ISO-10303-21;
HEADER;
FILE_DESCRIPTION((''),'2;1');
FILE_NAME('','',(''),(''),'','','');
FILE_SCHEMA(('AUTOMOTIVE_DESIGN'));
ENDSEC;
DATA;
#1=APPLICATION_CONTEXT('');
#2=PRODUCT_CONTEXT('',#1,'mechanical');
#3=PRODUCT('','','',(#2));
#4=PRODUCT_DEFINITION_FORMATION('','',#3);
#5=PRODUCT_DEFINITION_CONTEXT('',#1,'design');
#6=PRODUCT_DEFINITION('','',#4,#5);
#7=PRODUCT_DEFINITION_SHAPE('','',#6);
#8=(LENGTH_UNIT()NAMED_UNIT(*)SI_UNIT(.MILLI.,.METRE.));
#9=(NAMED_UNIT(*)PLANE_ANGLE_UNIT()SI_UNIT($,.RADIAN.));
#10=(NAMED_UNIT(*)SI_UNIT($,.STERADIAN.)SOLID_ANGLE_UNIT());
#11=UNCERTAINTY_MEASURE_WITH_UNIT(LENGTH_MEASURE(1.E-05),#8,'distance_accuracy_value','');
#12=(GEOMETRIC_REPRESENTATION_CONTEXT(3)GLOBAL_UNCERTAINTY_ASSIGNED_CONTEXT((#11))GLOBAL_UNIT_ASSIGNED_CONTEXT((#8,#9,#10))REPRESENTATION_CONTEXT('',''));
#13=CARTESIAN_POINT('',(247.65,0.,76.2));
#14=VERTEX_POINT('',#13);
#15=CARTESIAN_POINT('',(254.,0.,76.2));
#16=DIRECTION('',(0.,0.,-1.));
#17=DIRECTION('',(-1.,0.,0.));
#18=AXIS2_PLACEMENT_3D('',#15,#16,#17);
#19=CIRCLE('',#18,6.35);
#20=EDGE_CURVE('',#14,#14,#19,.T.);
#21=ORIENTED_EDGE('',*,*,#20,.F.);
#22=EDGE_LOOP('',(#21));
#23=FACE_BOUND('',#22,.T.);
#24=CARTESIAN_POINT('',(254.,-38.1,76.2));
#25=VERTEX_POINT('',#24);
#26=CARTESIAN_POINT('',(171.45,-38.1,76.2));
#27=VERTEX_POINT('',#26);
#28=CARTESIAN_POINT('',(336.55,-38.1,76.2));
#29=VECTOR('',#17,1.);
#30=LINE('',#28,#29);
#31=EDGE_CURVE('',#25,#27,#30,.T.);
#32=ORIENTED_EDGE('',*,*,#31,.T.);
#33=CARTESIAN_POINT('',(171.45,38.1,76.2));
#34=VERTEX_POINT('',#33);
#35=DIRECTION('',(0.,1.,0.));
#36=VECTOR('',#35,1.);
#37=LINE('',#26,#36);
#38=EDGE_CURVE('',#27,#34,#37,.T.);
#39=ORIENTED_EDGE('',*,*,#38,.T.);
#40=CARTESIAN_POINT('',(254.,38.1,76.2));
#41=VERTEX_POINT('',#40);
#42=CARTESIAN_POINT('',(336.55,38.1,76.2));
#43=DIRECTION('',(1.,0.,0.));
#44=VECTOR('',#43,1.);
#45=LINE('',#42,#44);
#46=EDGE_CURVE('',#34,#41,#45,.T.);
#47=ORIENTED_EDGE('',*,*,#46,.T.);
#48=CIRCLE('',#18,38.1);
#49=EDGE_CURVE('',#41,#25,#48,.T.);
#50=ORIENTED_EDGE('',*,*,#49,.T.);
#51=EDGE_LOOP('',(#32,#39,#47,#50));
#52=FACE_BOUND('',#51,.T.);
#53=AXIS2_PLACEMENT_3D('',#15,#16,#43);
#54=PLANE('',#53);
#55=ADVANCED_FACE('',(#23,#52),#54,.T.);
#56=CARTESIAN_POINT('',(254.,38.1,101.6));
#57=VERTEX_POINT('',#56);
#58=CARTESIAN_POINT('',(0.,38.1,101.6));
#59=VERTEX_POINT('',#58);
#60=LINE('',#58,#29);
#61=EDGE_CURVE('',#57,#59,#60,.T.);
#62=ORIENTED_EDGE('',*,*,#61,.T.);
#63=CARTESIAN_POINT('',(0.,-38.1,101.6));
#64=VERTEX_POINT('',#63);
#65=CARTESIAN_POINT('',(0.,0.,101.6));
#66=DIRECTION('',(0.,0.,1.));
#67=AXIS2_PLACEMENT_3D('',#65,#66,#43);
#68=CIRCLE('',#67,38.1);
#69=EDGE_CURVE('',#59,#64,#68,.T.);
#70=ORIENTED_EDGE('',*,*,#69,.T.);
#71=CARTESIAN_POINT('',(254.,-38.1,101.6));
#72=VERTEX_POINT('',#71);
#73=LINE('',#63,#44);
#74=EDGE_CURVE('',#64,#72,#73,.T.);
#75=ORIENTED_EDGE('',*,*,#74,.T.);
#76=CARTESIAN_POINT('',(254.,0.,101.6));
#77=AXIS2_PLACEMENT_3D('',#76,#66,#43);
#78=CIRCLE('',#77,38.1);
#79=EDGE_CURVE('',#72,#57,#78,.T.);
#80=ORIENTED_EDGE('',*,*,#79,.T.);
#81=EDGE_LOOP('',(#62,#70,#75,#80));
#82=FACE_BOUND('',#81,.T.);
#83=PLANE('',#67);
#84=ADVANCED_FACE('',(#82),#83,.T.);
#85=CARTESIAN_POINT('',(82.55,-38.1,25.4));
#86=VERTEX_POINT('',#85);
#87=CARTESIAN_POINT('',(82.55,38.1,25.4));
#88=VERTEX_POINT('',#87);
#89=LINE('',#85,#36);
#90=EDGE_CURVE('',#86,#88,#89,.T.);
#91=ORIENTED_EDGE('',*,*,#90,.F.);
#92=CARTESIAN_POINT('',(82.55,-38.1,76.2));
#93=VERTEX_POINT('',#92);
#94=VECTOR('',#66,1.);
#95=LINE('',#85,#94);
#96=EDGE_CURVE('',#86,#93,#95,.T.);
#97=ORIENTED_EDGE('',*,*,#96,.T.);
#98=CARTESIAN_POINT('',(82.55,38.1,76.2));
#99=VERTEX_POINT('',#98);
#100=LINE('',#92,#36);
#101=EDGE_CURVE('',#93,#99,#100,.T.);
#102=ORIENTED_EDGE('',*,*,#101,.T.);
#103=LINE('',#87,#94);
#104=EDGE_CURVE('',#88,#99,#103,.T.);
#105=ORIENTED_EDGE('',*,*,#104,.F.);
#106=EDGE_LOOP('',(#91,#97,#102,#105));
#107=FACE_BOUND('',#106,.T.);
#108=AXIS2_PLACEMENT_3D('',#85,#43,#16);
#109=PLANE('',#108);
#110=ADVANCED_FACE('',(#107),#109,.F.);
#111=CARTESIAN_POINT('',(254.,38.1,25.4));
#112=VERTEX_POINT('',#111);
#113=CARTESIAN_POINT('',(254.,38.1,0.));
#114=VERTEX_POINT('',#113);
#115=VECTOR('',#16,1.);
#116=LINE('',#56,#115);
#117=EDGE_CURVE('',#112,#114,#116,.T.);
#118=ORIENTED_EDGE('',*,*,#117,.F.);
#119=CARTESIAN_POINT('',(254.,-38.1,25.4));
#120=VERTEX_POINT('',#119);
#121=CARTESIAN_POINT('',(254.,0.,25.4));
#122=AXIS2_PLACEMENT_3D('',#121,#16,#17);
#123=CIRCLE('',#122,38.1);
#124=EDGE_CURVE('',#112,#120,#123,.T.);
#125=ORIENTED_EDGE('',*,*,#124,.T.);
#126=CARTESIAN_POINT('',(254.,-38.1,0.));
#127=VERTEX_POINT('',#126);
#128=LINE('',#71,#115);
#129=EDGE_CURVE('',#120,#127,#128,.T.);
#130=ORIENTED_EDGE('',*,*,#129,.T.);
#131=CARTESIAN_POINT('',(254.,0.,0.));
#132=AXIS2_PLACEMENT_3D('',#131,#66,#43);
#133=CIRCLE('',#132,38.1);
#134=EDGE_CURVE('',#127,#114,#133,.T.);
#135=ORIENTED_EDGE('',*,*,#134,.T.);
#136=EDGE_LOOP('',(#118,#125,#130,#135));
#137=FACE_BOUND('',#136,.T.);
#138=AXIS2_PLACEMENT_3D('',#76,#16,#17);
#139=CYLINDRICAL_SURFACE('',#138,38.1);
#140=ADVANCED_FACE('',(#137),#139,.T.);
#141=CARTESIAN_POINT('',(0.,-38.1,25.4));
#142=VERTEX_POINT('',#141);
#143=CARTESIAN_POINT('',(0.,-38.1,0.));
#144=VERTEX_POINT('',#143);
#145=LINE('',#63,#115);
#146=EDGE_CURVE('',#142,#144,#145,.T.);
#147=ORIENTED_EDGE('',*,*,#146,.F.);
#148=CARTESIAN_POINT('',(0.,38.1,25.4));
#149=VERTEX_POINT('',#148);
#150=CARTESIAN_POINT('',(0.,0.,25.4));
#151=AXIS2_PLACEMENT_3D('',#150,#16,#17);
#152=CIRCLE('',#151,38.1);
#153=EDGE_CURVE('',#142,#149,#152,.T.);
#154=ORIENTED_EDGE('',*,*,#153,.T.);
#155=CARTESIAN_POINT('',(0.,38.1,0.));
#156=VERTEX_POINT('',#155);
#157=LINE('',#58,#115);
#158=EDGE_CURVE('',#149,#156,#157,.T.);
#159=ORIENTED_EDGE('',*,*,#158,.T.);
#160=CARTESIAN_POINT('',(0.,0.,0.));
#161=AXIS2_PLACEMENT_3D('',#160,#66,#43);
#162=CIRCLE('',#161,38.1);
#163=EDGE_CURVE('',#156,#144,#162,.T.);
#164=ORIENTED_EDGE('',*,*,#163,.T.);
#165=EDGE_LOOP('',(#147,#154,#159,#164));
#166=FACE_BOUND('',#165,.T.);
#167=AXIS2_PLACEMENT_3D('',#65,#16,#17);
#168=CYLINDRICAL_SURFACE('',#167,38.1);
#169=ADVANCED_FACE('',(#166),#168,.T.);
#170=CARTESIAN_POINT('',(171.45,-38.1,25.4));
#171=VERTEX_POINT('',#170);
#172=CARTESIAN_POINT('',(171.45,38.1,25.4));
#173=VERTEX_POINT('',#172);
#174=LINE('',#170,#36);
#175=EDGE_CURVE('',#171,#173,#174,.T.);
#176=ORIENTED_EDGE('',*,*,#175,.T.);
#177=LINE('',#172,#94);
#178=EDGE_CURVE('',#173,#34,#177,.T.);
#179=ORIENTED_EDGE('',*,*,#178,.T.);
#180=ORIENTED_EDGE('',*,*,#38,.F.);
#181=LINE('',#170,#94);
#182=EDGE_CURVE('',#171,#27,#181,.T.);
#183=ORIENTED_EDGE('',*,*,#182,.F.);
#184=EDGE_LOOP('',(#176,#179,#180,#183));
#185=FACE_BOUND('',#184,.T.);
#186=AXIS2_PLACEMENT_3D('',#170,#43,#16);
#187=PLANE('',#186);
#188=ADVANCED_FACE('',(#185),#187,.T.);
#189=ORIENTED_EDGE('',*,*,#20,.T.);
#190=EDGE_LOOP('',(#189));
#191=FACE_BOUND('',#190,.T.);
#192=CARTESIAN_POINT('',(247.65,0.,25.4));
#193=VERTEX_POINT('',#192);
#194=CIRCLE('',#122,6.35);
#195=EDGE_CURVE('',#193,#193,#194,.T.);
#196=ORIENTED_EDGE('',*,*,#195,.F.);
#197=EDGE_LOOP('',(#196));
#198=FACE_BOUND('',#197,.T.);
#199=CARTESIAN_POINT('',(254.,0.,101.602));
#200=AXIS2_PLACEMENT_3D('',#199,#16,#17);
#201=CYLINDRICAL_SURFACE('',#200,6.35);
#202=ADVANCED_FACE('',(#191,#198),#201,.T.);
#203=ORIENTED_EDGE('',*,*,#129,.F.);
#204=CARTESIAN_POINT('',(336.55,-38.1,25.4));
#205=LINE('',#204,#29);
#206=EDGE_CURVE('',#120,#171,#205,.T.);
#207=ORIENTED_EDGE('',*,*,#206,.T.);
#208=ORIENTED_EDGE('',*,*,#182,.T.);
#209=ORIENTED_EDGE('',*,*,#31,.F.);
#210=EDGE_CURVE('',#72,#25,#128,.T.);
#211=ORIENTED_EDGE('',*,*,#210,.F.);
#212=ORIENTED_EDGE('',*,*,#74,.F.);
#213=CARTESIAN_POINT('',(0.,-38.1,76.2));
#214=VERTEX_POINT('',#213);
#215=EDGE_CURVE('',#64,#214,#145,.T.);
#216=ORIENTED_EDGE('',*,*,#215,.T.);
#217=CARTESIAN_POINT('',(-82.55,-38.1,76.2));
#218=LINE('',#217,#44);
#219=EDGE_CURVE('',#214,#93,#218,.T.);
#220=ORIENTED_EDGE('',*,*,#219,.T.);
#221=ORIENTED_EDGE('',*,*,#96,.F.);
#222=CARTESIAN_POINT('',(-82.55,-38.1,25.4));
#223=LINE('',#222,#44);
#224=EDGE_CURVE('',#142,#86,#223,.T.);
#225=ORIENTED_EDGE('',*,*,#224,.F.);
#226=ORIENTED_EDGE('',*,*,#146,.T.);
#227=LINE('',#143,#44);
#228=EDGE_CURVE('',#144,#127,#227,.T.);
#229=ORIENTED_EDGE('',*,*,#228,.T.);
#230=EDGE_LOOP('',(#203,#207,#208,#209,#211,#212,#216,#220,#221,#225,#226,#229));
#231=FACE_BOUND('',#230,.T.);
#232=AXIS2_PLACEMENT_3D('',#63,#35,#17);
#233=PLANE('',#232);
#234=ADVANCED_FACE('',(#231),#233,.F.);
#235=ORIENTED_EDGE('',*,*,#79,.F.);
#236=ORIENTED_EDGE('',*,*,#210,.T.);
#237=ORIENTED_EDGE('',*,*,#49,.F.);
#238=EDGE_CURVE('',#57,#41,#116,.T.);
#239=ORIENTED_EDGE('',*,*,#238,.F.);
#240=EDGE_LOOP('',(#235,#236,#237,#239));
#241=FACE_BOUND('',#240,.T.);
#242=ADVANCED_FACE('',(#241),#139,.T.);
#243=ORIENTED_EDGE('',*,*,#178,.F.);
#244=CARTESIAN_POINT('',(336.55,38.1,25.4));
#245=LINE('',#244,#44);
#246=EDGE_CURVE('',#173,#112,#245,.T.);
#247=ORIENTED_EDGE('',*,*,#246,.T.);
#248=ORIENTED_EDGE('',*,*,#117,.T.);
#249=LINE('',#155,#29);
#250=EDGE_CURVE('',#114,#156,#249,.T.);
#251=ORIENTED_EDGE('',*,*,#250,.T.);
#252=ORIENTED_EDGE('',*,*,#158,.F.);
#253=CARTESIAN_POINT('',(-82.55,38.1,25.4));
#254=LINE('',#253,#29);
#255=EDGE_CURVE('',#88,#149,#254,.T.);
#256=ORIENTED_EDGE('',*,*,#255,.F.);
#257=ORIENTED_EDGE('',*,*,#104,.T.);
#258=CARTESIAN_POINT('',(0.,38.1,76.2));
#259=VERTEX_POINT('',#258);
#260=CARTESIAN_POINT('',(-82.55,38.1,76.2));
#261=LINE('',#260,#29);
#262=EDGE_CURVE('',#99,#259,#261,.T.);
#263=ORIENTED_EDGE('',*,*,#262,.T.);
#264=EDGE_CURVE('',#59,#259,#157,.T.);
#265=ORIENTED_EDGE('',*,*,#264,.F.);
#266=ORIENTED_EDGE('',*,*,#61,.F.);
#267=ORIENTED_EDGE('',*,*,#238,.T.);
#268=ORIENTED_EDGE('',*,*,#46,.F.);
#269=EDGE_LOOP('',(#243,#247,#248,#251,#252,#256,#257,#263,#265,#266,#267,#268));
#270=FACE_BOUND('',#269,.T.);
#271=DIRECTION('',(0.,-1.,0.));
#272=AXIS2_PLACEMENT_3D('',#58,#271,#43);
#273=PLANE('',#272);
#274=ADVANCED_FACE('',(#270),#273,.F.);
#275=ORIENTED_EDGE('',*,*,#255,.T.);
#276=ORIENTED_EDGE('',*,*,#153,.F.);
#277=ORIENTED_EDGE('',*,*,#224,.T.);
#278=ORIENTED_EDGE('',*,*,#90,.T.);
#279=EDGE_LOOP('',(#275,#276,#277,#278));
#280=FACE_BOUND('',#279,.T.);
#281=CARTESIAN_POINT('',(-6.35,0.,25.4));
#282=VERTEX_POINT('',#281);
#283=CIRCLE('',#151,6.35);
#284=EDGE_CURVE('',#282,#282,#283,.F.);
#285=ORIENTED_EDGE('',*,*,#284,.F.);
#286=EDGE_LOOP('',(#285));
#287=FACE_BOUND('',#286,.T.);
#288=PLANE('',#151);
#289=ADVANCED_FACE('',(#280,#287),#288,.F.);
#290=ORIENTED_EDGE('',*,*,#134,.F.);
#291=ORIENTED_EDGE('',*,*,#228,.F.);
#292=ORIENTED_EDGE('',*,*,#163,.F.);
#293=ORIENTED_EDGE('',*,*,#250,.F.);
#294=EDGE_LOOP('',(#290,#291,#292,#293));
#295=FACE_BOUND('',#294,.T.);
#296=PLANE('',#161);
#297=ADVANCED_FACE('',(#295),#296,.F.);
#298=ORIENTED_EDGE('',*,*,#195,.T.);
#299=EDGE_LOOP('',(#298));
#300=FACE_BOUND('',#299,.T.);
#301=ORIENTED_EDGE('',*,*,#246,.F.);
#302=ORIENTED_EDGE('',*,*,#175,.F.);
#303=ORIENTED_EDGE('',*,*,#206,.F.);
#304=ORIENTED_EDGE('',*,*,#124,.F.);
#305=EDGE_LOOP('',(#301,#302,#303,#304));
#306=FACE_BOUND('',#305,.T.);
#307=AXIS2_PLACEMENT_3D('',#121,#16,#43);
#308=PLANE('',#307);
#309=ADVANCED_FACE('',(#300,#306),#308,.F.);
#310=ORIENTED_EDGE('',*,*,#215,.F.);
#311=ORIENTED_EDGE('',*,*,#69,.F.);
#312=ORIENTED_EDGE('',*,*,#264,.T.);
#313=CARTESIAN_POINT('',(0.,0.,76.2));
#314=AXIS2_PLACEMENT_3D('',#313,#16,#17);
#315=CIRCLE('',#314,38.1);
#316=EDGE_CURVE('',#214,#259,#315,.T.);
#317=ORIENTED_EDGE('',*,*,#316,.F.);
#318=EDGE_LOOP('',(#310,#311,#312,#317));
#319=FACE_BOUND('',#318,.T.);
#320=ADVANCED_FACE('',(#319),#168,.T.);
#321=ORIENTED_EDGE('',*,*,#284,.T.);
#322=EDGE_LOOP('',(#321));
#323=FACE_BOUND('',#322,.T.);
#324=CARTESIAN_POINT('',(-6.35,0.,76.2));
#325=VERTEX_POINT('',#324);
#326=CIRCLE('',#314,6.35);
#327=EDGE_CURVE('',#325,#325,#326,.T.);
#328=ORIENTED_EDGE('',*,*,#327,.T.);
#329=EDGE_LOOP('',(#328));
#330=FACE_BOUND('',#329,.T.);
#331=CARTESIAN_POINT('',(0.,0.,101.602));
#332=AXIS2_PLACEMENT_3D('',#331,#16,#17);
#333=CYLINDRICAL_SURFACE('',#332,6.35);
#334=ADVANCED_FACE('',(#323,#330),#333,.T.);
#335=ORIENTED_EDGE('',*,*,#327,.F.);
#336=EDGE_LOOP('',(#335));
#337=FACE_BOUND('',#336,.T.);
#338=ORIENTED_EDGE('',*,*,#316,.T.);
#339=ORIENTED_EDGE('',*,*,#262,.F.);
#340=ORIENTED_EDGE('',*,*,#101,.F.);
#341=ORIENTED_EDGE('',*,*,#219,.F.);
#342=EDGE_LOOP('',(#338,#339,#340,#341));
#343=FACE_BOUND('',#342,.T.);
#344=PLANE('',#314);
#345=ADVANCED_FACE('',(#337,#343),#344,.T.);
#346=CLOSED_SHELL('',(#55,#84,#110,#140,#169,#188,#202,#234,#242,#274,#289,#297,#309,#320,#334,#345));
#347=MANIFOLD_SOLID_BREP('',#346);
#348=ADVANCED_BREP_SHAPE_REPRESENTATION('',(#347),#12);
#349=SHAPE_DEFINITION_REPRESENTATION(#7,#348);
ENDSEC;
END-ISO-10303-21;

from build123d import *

# Parameters (mm, degrees)
BOSS_EXTRUDE1_DEPTH = 101.6
CUT_EXTRUDE1_START  = -25.4
SKETCH3_W           = 165.1
SKETCH3_H           = 76.2
CUT_EXTRUDE1_DEPTH  = 50.8
BOSS_EXTRUDE2_REACH = 306.27
SKETCH6_R           = 6.35


with BuildPart() as part:
    # Sketch1 → Boss-Extrude1 (new body)
    with BuildSketch(Plane.XY):
        with BuildLine():
            Line((0, 38.1), (254, 38.1))
            ThreePointArc((254, 38.1), (292.1, 0), (254, -38.1))
            Line((254, -38.1), (0, -38.1))
            ThreePointArc((0, -38.1), (-38.1, 0), (0, 38.1))
        make_face()
    extrude(amount=BOSS_EXTRUDE1_DEPTH)

    # Sketch3 → Cut-Extrude1 (cut)
    with BuildSketch(Plane.XY.offset(101.6).offset(CUT_EXTRUDE1_START)):
        Rectangle(SKETCH3_W, SKETCH3_H)
    cut_extrude1 = extrude(amount=-CUT_EXTRUDE1_DEPTH, mode=Mode.SUBTRACT)

    # Mirror1: Cut-Extrude1 across plane
    add(cut_extrude1.mirror(Plane(origin=(127, 0, 0), x_dir=(0, 0, 1), z_dir=(1, 0, 0))), mode=Mode.SUBTRACT)

    # Sketch6 → Boss-Extrude2 (add, up to next)
    with BuildSketch(Plane.XY.offset(25.4), mode=Mode.PRIVATE) as boss_extrude2_sk1:
        with Locations(Location((0, 0, 0), (0, 0, 180))):
            Circle(SKETCH6_R)
    boss_extrude2_tool1 = extrude(boss_extrude2_sk1.sketch, amount=BOSS_EXTRUDE2_REACH, mode=Mode.PRIVATE) - part.part
    boss_extrude2 = boss_extrude2_tool1.solids().sort_by_distance((0, 0, 25.4))[0]
    add(boss_extrude2)

    # Mirror2: Boss-Extrude2 across plane
    add(boss_extrude2.mirror(Plane(origin=(127, 0, 0), x_dir=(0, 0, 1), z_dir=(1, 0, 0))))


solid = part.part
